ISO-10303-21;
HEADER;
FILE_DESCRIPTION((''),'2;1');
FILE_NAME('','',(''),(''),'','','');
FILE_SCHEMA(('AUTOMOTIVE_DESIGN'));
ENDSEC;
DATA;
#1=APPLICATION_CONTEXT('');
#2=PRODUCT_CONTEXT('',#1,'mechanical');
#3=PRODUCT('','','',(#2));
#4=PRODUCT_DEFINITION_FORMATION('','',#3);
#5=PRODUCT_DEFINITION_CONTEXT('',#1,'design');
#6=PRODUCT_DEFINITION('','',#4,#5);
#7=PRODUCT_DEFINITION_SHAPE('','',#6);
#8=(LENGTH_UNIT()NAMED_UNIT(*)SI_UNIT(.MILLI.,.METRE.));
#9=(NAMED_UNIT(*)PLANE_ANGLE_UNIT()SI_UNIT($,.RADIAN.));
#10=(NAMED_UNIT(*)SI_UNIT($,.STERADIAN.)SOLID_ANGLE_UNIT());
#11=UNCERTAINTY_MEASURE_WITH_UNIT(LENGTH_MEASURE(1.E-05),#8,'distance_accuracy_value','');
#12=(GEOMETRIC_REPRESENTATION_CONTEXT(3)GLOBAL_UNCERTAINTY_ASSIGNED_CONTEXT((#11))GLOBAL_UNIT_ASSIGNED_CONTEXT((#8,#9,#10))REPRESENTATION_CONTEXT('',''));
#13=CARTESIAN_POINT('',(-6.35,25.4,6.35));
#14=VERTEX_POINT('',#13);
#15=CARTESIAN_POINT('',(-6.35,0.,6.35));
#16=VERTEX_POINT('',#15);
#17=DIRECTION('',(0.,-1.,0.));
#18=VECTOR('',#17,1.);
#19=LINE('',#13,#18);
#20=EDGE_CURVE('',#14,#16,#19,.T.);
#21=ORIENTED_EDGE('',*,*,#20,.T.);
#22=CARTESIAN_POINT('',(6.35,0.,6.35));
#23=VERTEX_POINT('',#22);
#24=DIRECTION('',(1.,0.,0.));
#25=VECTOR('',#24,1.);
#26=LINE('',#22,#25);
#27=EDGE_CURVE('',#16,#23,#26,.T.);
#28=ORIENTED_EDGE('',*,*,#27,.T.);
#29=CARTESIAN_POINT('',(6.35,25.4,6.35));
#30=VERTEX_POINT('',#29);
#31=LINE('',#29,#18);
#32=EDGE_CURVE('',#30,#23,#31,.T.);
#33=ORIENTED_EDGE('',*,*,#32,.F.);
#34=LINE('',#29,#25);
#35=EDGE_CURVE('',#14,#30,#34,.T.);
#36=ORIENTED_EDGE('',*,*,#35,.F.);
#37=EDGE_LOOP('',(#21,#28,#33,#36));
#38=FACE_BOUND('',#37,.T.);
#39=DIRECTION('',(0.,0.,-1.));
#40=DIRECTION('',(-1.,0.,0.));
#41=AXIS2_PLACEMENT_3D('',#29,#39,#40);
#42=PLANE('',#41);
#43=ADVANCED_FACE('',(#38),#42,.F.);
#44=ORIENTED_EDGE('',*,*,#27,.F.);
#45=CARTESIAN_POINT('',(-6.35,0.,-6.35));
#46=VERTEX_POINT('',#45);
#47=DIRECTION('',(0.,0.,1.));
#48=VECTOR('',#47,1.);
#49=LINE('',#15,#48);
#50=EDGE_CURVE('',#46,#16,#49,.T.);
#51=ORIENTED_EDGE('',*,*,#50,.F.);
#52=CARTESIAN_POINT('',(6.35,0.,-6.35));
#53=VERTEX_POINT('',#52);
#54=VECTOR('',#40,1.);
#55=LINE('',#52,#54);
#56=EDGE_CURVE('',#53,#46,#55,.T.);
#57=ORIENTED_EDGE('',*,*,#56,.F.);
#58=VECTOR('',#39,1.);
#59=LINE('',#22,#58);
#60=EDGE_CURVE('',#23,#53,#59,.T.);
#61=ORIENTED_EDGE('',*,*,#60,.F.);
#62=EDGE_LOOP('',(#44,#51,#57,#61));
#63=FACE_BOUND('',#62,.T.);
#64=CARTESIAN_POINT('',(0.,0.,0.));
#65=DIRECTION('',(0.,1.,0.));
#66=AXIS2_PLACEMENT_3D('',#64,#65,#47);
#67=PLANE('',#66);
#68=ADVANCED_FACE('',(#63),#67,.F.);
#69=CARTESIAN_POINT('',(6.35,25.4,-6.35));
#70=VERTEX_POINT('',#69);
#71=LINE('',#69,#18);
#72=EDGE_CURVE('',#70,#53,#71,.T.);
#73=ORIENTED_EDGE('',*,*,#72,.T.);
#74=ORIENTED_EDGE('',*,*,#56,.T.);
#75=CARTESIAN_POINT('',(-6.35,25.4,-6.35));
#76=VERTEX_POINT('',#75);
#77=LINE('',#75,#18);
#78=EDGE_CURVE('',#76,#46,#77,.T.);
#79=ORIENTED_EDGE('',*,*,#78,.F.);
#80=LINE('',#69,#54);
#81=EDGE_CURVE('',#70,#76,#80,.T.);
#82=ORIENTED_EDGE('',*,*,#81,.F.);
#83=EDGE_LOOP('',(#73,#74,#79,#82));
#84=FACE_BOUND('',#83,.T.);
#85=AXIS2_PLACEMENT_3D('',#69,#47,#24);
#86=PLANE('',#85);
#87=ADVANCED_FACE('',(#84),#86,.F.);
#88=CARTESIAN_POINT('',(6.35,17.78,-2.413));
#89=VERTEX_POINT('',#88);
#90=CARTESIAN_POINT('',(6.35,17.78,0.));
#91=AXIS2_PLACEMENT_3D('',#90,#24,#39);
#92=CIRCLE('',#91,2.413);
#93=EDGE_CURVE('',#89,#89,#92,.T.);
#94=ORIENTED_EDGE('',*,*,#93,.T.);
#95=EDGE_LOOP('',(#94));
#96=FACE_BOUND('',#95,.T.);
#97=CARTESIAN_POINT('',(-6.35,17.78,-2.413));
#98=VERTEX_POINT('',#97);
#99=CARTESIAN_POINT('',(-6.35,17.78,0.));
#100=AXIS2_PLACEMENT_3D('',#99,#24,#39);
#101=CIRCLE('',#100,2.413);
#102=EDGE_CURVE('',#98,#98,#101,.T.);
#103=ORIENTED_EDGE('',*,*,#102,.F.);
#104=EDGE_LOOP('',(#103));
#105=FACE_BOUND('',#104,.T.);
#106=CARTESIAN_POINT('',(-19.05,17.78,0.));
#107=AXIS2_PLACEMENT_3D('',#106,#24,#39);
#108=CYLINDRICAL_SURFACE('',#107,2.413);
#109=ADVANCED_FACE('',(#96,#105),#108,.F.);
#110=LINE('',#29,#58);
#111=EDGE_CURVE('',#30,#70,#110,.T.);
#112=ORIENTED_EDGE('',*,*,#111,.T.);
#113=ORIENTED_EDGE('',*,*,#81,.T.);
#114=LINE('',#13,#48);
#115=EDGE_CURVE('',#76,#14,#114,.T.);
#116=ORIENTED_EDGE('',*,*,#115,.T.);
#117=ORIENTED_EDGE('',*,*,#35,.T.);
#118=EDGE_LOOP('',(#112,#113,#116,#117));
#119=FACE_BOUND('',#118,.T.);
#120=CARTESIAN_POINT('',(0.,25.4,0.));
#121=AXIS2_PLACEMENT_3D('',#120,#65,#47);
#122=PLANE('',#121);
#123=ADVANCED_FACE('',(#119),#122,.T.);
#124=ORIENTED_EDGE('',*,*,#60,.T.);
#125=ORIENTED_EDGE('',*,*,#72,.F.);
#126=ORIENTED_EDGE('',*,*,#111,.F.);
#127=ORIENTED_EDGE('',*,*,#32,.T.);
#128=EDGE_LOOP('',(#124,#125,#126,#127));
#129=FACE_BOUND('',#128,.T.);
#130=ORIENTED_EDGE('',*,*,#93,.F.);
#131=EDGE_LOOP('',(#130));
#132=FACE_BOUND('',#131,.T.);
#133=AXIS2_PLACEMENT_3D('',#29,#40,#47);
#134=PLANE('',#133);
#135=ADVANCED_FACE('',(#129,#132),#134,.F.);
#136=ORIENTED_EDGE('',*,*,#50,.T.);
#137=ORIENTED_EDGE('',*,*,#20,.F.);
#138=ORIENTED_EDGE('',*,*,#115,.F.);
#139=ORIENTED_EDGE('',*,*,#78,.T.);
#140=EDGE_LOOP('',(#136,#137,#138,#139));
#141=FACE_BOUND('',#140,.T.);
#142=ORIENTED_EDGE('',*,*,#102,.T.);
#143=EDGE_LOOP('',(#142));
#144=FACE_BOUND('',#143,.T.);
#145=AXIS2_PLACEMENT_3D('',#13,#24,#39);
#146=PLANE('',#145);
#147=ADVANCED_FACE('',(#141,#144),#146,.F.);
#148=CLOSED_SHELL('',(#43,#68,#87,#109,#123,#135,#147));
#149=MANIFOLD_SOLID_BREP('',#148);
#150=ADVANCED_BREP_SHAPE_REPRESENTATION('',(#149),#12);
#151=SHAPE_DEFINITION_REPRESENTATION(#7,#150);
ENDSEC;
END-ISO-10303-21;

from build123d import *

# Parameters (mm, degrees)
CROQUIS1_W              = 12.7
CROQUIS1_H              = 12.7
SALIENTE_EXTRUIR1_DEPTH = 25.4
CROQUIS2_R              = 2.413
CORTAR_EXTRUIR1_DEPTH   = 25.4


with BuildPart() as part:
    # Croquis1 → Saliente-Extruir1 (new body)
    with BuildSketch(Plane(origin=(0, 0, 0), x_dir=(1, 0, 0), z_dir=(0, 1, 0))):
        Rectangle(CROQUIS1_W, CROQUIS1_H)
    extrude(amount=SALIENTE_EXTRUIR1_DEPTH)

    # Croquis2 → Cortar-Extruir1 (cut)
    with BuildSketch(Plane(origin=(6.35, 0, 0), x_dir=(0, 0, -1), z_dir=(1, 0, 0))):
        with Locations((0, 17.78)):
            Circle(CROQUIS2_R)
    extrude(amount=-CORTAR_EXTRUIR1_DEPTH, mode=Mode.SUBTRACT)


solid = part.part
